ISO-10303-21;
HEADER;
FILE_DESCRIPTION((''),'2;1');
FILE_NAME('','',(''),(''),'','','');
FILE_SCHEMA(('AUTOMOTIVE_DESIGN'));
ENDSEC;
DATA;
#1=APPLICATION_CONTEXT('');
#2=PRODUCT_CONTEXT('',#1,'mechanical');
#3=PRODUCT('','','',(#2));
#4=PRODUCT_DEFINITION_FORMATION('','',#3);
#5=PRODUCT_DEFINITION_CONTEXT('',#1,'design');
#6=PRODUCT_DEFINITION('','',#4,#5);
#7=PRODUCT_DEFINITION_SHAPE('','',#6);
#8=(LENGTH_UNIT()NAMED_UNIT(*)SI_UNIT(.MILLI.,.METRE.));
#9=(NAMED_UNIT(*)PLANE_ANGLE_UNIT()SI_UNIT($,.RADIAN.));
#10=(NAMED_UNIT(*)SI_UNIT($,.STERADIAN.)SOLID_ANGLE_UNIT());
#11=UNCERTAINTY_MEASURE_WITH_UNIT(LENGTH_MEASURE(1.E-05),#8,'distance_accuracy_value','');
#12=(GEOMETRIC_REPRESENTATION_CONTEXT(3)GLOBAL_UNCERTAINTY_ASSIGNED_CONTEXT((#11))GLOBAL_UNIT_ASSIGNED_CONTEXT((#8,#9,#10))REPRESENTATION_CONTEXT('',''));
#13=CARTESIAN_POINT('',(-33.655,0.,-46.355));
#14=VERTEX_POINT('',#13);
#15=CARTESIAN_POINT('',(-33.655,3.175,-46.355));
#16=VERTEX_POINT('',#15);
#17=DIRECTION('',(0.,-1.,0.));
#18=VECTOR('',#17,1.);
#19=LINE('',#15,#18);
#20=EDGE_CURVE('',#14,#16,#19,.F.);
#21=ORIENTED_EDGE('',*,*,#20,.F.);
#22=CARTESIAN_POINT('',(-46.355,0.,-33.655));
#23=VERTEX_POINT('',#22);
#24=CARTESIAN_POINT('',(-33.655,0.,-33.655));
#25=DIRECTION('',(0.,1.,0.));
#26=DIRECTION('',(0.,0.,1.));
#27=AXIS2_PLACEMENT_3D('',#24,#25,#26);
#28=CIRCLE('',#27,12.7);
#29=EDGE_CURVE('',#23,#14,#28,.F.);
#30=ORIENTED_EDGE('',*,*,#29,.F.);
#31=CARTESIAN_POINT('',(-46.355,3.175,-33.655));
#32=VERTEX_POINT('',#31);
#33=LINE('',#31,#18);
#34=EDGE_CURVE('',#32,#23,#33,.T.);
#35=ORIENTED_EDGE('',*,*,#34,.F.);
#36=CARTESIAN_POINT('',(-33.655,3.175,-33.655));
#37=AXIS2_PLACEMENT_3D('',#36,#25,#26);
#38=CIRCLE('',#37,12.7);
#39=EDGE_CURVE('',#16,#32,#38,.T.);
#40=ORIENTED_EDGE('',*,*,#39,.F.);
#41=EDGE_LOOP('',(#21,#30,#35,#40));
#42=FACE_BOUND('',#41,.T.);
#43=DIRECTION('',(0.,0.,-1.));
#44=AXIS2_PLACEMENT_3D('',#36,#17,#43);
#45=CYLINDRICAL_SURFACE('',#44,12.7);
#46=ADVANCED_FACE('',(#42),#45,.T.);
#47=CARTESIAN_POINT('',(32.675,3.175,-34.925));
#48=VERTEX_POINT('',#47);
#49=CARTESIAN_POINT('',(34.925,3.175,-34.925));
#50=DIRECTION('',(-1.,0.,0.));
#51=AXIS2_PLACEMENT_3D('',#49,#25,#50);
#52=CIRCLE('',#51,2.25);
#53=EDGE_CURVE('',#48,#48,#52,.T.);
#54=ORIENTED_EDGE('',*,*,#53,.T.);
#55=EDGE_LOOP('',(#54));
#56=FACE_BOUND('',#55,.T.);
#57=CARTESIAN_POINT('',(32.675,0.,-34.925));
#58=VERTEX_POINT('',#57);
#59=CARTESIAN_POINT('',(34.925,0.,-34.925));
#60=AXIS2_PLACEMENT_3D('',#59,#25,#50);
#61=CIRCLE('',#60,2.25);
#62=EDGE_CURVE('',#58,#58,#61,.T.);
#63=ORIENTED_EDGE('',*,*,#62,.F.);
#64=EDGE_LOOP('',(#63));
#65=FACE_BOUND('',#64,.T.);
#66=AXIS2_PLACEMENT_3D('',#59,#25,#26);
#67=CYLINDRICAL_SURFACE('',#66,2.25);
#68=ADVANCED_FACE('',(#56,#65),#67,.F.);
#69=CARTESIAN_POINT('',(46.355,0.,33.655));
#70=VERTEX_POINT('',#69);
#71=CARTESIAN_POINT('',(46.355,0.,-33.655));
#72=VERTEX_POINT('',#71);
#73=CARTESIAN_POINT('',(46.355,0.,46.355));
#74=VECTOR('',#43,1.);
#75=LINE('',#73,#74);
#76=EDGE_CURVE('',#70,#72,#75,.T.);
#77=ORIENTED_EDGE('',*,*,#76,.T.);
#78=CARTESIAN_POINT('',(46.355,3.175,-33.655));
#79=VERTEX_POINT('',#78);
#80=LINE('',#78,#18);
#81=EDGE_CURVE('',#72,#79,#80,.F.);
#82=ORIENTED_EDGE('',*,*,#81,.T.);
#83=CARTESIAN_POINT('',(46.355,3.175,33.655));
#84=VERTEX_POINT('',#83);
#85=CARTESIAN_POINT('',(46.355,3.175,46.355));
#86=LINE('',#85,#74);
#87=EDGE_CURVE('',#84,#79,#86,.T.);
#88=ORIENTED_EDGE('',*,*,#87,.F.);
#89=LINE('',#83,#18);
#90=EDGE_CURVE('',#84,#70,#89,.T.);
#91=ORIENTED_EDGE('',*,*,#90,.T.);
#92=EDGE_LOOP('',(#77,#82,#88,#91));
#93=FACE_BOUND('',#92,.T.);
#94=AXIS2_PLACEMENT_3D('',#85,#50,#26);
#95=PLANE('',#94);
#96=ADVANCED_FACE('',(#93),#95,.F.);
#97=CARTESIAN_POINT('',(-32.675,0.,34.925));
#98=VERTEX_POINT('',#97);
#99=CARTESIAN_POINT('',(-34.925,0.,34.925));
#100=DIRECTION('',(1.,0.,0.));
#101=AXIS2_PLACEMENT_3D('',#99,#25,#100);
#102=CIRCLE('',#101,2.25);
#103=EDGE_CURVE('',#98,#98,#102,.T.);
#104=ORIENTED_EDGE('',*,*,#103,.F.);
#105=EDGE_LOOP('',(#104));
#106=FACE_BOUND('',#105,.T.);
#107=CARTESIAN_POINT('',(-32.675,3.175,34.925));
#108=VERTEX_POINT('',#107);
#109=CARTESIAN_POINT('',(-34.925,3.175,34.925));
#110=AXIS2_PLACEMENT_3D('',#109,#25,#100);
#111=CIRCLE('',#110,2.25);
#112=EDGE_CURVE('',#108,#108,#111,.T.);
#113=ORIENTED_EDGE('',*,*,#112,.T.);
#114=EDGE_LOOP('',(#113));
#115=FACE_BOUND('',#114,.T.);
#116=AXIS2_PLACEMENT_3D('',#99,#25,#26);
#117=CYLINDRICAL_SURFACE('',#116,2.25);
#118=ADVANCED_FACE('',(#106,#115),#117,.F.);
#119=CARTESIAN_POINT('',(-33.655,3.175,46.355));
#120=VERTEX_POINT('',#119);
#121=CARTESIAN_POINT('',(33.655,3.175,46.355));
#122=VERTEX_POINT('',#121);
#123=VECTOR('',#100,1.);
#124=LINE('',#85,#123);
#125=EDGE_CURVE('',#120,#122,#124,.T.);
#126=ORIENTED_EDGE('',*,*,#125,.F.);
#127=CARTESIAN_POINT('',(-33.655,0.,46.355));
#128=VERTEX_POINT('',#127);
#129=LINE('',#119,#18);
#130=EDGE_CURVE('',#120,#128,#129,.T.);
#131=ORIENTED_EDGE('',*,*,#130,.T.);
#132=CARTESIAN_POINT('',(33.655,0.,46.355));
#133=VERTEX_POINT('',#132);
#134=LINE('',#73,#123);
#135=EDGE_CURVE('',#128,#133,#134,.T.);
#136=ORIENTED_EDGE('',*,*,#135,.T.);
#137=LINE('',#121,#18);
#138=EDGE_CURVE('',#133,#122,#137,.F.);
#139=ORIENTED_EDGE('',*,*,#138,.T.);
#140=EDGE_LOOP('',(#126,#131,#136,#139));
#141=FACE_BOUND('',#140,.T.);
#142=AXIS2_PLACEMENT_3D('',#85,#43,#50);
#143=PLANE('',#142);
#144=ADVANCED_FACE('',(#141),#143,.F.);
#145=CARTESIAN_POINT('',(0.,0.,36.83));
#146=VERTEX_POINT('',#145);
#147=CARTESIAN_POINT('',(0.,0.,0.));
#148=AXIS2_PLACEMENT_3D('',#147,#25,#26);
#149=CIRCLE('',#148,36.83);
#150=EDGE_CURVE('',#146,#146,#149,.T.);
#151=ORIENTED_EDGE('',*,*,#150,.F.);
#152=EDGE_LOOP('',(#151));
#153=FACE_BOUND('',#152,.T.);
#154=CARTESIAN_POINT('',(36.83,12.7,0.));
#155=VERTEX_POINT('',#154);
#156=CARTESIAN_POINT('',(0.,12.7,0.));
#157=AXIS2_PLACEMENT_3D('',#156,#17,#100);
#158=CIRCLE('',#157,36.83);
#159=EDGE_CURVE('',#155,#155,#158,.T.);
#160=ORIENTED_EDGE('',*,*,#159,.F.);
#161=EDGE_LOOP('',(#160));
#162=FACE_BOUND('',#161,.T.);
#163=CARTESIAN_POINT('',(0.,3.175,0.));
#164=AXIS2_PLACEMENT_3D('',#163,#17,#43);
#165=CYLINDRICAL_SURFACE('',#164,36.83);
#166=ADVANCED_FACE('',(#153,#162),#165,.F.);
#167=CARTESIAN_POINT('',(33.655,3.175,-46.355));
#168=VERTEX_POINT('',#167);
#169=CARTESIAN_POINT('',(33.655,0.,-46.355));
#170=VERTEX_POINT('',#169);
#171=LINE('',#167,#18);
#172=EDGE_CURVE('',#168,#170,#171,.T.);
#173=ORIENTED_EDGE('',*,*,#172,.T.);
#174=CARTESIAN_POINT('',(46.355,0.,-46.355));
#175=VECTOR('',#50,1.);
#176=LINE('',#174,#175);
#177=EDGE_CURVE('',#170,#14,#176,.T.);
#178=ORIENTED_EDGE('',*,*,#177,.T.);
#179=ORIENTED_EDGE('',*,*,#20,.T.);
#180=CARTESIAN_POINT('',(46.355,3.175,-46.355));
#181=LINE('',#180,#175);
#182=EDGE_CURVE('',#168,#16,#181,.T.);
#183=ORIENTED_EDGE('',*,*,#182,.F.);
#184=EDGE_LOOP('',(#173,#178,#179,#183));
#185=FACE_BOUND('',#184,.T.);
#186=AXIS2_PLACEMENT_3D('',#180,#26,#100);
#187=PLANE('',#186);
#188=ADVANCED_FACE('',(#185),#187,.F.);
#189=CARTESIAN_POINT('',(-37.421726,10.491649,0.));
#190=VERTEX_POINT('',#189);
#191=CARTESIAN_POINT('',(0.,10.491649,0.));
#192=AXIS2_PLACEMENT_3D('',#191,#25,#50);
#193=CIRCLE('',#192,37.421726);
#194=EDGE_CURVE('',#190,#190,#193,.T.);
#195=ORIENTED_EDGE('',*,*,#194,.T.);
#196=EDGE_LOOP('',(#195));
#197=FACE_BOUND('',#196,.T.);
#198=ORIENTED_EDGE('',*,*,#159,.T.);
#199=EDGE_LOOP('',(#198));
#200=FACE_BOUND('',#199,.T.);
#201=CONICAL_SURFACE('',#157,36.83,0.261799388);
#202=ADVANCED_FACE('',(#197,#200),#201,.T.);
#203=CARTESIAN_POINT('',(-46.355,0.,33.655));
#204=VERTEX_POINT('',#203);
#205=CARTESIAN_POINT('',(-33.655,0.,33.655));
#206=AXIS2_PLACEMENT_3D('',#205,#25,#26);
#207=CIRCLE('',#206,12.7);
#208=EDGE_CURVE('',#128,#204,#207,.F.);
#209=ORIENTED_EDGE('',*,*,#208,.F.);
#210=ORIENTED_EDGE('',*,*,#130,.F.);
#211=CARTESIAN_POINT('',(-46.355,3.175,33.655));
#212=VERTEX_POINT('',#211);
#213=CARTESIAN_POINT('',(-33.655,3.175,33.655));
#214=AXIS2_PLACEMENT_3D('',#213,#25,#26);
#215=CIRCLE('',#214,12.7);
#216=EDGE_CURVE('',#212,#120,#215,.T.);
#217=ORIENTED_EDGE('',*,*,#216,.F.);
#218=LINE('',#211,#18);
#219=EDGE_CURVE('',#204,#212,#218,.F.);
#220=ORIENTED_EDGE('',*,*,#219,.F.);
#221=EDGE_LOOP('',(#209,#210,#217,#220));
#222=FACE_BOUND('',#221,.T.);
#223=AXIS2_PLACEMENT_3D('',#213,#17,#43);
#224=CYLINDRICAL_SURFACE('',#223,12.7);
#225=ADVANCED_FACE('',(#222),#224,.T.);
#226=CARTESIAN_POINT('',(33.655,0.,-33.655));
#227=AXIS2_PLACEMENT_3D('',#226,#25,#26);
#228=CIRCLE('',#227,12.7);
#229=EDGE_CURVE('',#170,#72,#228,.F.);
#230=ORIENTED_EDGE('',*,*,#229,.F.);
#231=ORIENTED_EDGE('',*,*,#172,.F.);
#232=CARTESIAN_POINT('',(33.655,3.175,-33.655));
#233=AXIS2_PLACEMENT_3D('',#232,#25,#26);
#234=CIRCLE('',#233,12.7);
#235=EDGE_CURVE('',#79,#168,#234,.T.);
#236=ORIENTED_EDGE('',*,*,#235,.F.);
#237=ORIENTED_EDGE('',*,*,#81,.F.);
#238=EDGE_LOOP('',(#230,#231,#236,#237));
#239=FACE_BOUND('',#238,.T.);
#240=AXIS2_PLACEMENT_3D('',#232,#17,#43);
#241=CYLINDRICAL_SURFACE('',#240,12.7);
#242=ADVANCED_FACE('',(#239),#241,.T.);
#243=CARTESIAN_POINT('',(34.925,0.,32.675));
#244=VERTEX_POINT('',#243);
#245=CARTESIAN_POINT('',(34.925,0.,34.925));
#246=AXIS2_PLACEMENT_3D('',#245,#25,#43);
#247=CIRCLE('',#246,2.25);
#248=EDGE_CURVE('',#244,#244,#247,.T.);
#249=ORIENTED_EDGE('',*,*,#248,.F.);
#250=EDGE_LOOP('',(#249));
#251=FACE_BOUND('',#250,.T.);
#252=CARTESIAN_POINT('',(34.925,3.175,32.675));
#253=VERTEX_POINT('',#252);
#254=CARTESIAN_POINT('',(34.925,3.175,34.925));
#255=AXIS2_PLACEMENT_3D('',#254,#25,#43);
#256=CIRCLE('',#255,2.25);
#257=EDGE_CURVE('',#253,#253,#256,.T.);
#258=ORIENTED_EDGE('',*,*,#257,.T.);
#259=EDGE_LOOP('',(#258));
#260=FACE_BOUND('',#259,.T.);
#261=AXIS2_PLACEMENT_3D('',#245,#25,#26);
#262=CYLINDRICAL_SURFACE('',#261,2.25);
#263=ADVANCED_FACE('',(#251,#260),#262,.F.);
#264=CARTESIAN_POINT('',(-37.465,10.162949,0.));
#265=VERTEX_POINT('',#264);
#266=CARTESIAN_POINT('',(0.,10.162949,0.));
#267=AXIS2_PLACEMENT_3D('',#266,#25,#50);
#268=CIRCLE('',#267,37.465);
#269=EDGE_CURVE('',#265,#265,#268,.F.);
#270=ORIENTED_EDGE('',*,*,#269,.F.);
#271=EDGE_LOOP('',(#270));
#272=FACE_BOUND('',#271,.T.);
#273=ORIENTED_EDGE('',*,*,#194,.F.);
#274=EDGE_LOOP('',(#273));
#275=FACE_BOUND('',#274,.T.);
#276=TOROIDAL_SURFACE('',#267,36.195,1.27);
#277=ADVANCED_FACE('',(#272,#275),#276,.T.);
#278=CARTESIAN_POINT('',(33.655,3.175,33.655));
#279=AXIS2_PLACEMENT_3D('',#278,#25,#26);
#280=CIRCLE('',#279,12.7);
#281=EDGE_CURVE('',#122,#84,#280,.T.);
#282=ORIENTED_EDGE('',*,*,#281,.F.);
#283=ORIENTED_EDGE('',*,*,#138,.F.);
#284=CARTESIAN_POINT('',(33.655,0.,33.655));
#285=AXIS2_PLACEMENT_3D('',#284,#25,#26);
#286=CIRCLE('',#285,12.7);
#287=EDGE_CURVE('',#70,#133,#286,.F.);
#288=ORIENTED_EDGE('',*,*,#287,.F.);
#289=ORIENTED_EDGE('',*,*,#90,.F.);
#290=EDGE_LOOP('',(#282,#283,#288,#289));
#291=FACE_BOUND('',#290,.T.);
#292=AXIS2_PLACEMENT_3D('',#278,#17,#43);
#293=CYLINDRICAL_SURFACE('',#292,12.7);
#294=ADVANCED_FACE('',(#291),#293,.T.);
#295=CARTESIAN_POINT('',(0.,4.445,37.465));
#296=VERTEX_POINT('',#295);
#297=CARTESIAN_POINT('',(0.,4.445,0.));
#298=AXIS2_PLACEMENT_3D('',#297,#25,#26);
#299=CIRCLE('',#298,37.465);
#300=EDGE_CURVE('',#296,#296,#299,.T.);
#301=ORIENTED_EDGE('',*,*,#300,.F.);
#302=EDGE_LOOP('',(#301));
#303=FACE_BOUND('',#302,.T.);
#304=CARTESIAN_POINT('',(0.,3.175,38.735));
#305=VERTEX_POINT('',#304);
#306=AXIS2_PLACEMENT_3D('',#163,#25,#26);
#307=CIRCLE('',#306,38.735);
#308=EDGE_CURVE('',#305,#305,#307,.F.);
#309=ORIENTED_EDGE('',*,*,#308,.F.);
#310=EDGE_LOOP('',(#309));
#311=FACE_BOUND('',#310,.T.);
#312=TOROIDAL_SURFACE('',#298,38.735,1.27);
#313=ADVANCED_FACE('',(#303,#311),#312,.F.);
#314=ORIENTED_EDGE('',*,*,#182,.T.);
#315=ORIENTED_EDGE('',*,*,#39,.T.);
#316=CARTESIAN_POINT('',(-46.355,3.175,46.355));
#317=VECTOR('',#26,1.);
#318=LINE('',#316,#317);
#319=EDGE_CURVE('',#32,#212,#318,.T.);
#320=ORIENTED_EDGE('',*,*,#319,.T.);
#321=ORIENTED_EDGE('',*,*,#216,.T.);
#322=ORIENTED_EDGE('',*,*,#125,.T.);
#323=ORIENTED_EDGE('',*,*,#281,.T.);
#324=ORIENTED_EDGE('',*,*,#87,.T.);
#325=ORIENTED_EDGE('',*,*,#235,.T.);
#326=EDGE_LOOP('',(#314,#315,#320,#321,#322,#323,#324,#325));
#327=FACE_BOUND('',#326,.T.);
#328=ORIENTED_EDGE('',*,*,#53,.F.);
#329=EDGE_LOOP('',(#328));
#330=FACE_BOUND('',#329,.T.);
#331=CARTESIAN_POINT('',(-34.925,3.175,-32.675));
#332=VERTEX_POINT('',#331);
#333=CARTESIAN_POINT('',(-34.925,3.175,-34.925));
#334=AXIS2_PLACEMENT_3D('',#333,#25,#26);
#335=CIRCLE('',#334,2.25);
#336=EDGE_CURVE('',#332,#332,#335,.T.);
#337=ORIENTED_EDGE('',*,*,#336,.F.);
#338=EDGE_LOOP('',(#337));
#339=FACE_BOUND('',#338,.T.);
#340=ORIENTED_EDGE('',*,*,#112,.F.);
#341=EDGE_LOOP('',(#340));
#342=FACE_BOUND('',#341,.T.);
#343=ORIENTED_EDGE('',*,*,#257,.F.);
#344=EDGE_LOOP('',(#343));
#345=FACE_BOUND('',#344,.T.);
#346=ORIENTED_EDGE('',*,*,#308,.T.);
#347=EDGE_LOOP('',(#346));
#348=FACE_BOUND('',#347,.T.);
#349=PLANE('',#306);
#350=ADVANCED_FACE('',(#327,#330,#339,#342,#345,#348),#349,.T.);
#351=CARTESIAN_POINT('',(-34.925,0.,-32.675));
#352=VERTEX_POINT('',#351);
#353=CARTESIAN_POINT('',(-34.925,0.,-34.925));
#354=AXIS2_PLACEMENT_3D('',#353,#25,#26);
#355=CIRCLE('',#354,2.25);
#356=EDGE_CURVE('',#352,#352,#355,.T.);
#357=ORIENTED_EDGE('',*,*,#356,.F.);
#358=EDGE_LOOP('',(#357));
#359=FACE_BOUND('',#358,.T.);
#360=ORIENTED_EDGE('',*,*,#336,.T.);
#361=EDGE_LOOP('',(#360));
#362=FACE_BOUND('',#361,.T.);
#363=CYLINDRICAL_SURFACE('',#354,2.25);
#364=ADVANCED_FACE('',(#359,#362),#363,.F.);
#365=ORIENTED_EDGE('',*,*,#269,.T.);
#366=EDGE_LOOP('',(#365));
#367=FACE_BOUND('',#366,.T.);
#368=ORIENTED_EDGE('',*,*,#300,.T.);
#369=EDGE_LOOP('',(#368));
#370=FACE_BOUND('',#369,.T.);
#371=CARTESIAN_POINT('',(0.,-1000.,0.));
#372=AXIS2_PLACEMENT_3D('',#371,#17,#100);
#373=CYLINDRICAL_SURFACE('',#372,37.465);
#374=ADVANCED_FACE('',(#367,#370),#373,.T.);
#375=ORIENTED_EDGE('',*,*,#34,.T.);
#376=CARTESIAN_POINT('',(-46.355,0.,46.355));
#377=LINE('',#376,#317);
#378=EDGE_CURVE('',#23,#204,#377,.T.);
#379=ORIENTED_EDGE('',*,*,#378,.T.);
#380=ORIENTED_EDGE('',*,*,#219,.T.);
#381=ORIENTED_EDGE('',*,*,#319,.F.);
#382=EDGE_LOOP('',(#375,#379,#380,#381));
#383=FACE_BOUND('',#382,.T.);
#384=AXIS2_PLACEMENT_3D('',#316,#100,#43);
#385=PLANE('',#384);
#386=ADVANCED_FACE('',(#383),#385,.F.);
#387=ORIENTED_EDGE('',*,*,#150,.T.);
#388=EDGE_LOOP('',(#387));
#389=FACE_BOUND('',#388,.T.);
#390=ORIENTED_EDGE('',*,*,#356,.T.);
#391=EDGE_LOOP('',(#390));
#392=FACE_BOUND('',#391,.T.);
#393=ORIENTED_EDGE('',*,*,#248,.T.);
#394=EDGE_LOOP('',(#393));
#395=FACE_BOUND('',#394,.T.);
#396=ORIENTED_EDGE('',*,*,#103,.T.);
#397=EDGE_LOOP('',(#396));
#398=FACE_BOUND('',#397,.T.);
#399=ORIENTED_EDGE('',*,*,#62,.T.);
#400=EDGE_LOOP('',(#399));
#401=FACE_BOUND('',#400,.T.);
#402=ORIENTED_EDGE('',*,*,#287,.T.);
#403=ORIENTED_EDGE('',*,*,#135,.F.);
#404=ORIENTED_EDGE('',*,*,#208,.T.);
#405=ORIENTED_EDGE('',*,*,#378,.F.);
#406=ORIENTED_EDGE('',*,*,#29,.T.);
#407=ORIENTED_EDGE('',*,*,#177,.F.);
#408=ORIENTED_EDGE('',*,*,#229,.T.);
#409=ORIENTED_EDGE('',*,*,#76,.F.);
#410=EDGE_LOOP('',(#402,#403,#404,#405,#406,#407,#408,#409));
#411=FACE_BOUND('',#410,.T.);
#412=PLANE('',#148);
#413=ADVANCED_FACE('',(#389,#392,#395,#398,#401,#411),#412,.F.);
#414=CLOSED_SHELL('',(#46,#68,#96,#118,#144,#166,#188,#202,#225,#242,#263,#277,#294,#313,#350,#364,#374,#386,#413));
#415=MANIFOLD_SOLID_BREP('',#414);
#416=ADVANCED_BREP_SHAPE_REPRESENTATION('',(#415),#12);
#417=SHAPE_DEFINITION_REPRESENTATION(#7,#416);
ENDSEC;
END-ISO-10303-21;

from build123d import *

# Parameters (mm, degrees)
SKETCH1_W           = 92.71
SKETCH1_H           = 92.71
SKETCH1_R           = 36.83
BOSS_EXTRUDE1_DEPTH = 3.175
SKETCH2_R           = 2.25
CUT_EXTRUDE1_DEPTH  = 4.175
CIRPATTERN1_COUNT   = 4
FILLET1_R           = 12.7
FILLET2_R           = 1.27


with BuildPart() as part:
    # Sketch1 → Boss-Extrude1 (new body)
    with BuildSketch(Plane(origin=(0, 0, 0), x_dir=(1, 0, 0), z_dir=(0, 1, 0))):
        Rectangle(SKETCH1_W, SKETCH1_H)
        Circle(SKETCH1_R, mode=Mode.SUBTRACT)
    extrude(amount=BOSS_EXTRUDE1_DEPTH)

    # Sketch2 → Cut-Extrude1 (cut, through all)
    with BuildSketch(Plane(origin=(0, 3.175, 0), x_dir=(1, 0, 0), z_dir=(0, 1, 0))):
        with Locations((-34.925, 34.925)):
            Circle(SKETCH2_R)
    cut_extrude1 = extrude(amount=-CUT_EXTRUDE1_DEPTH, mode=Mode.SUBTRACT)

    # CirPattern1: Cut-Extrude1 ×4 about axis
    cirpattern1_axis = Axis((0, 0, 0), (0, 1, 0))
    for i in range(1, CIRPATTERN1_COUNT):
        add(cut_extrude1.rotate(cirpattern1_axis, i * 360 / CIRPATTERN1_COUNT), mode=Mode.SUBTRACT)

    # Fillet1
    fillet1_edges = [part.edges().sort_by_distance(p)[0] for p in [
        (-46.355, 1.5875, -46.355),
        (46.355, 1.5875, -46.355),
        (46.355, 1.5875, 46.355),
        (-46.355, 1.5875, 46.355),
    ]]
    fillet(fillet1_edges, radius=FILLET1_R)

    # Sketch4 → Revolve1 (revolve)
    with BuildSketch(Plane.XY):
        Polygon((36.83, 12.7), (36.83, 3.175), (37.465, 3.175), (37.465, 10.330147737), align=None)
    revolve(axis=Axis((0, -1000, 0), (0, 1, 0)))

    # Fillet2
    fillet2_edges = [part.edges().sort_by_distance(p)[0] for p in [
        (-37.465, 3.175, 0),
        (-37.465, 10.330147737, 0),
    ]]
    fillet(fillet2_edges, radius=FILLET2_R)


solid = part.part
